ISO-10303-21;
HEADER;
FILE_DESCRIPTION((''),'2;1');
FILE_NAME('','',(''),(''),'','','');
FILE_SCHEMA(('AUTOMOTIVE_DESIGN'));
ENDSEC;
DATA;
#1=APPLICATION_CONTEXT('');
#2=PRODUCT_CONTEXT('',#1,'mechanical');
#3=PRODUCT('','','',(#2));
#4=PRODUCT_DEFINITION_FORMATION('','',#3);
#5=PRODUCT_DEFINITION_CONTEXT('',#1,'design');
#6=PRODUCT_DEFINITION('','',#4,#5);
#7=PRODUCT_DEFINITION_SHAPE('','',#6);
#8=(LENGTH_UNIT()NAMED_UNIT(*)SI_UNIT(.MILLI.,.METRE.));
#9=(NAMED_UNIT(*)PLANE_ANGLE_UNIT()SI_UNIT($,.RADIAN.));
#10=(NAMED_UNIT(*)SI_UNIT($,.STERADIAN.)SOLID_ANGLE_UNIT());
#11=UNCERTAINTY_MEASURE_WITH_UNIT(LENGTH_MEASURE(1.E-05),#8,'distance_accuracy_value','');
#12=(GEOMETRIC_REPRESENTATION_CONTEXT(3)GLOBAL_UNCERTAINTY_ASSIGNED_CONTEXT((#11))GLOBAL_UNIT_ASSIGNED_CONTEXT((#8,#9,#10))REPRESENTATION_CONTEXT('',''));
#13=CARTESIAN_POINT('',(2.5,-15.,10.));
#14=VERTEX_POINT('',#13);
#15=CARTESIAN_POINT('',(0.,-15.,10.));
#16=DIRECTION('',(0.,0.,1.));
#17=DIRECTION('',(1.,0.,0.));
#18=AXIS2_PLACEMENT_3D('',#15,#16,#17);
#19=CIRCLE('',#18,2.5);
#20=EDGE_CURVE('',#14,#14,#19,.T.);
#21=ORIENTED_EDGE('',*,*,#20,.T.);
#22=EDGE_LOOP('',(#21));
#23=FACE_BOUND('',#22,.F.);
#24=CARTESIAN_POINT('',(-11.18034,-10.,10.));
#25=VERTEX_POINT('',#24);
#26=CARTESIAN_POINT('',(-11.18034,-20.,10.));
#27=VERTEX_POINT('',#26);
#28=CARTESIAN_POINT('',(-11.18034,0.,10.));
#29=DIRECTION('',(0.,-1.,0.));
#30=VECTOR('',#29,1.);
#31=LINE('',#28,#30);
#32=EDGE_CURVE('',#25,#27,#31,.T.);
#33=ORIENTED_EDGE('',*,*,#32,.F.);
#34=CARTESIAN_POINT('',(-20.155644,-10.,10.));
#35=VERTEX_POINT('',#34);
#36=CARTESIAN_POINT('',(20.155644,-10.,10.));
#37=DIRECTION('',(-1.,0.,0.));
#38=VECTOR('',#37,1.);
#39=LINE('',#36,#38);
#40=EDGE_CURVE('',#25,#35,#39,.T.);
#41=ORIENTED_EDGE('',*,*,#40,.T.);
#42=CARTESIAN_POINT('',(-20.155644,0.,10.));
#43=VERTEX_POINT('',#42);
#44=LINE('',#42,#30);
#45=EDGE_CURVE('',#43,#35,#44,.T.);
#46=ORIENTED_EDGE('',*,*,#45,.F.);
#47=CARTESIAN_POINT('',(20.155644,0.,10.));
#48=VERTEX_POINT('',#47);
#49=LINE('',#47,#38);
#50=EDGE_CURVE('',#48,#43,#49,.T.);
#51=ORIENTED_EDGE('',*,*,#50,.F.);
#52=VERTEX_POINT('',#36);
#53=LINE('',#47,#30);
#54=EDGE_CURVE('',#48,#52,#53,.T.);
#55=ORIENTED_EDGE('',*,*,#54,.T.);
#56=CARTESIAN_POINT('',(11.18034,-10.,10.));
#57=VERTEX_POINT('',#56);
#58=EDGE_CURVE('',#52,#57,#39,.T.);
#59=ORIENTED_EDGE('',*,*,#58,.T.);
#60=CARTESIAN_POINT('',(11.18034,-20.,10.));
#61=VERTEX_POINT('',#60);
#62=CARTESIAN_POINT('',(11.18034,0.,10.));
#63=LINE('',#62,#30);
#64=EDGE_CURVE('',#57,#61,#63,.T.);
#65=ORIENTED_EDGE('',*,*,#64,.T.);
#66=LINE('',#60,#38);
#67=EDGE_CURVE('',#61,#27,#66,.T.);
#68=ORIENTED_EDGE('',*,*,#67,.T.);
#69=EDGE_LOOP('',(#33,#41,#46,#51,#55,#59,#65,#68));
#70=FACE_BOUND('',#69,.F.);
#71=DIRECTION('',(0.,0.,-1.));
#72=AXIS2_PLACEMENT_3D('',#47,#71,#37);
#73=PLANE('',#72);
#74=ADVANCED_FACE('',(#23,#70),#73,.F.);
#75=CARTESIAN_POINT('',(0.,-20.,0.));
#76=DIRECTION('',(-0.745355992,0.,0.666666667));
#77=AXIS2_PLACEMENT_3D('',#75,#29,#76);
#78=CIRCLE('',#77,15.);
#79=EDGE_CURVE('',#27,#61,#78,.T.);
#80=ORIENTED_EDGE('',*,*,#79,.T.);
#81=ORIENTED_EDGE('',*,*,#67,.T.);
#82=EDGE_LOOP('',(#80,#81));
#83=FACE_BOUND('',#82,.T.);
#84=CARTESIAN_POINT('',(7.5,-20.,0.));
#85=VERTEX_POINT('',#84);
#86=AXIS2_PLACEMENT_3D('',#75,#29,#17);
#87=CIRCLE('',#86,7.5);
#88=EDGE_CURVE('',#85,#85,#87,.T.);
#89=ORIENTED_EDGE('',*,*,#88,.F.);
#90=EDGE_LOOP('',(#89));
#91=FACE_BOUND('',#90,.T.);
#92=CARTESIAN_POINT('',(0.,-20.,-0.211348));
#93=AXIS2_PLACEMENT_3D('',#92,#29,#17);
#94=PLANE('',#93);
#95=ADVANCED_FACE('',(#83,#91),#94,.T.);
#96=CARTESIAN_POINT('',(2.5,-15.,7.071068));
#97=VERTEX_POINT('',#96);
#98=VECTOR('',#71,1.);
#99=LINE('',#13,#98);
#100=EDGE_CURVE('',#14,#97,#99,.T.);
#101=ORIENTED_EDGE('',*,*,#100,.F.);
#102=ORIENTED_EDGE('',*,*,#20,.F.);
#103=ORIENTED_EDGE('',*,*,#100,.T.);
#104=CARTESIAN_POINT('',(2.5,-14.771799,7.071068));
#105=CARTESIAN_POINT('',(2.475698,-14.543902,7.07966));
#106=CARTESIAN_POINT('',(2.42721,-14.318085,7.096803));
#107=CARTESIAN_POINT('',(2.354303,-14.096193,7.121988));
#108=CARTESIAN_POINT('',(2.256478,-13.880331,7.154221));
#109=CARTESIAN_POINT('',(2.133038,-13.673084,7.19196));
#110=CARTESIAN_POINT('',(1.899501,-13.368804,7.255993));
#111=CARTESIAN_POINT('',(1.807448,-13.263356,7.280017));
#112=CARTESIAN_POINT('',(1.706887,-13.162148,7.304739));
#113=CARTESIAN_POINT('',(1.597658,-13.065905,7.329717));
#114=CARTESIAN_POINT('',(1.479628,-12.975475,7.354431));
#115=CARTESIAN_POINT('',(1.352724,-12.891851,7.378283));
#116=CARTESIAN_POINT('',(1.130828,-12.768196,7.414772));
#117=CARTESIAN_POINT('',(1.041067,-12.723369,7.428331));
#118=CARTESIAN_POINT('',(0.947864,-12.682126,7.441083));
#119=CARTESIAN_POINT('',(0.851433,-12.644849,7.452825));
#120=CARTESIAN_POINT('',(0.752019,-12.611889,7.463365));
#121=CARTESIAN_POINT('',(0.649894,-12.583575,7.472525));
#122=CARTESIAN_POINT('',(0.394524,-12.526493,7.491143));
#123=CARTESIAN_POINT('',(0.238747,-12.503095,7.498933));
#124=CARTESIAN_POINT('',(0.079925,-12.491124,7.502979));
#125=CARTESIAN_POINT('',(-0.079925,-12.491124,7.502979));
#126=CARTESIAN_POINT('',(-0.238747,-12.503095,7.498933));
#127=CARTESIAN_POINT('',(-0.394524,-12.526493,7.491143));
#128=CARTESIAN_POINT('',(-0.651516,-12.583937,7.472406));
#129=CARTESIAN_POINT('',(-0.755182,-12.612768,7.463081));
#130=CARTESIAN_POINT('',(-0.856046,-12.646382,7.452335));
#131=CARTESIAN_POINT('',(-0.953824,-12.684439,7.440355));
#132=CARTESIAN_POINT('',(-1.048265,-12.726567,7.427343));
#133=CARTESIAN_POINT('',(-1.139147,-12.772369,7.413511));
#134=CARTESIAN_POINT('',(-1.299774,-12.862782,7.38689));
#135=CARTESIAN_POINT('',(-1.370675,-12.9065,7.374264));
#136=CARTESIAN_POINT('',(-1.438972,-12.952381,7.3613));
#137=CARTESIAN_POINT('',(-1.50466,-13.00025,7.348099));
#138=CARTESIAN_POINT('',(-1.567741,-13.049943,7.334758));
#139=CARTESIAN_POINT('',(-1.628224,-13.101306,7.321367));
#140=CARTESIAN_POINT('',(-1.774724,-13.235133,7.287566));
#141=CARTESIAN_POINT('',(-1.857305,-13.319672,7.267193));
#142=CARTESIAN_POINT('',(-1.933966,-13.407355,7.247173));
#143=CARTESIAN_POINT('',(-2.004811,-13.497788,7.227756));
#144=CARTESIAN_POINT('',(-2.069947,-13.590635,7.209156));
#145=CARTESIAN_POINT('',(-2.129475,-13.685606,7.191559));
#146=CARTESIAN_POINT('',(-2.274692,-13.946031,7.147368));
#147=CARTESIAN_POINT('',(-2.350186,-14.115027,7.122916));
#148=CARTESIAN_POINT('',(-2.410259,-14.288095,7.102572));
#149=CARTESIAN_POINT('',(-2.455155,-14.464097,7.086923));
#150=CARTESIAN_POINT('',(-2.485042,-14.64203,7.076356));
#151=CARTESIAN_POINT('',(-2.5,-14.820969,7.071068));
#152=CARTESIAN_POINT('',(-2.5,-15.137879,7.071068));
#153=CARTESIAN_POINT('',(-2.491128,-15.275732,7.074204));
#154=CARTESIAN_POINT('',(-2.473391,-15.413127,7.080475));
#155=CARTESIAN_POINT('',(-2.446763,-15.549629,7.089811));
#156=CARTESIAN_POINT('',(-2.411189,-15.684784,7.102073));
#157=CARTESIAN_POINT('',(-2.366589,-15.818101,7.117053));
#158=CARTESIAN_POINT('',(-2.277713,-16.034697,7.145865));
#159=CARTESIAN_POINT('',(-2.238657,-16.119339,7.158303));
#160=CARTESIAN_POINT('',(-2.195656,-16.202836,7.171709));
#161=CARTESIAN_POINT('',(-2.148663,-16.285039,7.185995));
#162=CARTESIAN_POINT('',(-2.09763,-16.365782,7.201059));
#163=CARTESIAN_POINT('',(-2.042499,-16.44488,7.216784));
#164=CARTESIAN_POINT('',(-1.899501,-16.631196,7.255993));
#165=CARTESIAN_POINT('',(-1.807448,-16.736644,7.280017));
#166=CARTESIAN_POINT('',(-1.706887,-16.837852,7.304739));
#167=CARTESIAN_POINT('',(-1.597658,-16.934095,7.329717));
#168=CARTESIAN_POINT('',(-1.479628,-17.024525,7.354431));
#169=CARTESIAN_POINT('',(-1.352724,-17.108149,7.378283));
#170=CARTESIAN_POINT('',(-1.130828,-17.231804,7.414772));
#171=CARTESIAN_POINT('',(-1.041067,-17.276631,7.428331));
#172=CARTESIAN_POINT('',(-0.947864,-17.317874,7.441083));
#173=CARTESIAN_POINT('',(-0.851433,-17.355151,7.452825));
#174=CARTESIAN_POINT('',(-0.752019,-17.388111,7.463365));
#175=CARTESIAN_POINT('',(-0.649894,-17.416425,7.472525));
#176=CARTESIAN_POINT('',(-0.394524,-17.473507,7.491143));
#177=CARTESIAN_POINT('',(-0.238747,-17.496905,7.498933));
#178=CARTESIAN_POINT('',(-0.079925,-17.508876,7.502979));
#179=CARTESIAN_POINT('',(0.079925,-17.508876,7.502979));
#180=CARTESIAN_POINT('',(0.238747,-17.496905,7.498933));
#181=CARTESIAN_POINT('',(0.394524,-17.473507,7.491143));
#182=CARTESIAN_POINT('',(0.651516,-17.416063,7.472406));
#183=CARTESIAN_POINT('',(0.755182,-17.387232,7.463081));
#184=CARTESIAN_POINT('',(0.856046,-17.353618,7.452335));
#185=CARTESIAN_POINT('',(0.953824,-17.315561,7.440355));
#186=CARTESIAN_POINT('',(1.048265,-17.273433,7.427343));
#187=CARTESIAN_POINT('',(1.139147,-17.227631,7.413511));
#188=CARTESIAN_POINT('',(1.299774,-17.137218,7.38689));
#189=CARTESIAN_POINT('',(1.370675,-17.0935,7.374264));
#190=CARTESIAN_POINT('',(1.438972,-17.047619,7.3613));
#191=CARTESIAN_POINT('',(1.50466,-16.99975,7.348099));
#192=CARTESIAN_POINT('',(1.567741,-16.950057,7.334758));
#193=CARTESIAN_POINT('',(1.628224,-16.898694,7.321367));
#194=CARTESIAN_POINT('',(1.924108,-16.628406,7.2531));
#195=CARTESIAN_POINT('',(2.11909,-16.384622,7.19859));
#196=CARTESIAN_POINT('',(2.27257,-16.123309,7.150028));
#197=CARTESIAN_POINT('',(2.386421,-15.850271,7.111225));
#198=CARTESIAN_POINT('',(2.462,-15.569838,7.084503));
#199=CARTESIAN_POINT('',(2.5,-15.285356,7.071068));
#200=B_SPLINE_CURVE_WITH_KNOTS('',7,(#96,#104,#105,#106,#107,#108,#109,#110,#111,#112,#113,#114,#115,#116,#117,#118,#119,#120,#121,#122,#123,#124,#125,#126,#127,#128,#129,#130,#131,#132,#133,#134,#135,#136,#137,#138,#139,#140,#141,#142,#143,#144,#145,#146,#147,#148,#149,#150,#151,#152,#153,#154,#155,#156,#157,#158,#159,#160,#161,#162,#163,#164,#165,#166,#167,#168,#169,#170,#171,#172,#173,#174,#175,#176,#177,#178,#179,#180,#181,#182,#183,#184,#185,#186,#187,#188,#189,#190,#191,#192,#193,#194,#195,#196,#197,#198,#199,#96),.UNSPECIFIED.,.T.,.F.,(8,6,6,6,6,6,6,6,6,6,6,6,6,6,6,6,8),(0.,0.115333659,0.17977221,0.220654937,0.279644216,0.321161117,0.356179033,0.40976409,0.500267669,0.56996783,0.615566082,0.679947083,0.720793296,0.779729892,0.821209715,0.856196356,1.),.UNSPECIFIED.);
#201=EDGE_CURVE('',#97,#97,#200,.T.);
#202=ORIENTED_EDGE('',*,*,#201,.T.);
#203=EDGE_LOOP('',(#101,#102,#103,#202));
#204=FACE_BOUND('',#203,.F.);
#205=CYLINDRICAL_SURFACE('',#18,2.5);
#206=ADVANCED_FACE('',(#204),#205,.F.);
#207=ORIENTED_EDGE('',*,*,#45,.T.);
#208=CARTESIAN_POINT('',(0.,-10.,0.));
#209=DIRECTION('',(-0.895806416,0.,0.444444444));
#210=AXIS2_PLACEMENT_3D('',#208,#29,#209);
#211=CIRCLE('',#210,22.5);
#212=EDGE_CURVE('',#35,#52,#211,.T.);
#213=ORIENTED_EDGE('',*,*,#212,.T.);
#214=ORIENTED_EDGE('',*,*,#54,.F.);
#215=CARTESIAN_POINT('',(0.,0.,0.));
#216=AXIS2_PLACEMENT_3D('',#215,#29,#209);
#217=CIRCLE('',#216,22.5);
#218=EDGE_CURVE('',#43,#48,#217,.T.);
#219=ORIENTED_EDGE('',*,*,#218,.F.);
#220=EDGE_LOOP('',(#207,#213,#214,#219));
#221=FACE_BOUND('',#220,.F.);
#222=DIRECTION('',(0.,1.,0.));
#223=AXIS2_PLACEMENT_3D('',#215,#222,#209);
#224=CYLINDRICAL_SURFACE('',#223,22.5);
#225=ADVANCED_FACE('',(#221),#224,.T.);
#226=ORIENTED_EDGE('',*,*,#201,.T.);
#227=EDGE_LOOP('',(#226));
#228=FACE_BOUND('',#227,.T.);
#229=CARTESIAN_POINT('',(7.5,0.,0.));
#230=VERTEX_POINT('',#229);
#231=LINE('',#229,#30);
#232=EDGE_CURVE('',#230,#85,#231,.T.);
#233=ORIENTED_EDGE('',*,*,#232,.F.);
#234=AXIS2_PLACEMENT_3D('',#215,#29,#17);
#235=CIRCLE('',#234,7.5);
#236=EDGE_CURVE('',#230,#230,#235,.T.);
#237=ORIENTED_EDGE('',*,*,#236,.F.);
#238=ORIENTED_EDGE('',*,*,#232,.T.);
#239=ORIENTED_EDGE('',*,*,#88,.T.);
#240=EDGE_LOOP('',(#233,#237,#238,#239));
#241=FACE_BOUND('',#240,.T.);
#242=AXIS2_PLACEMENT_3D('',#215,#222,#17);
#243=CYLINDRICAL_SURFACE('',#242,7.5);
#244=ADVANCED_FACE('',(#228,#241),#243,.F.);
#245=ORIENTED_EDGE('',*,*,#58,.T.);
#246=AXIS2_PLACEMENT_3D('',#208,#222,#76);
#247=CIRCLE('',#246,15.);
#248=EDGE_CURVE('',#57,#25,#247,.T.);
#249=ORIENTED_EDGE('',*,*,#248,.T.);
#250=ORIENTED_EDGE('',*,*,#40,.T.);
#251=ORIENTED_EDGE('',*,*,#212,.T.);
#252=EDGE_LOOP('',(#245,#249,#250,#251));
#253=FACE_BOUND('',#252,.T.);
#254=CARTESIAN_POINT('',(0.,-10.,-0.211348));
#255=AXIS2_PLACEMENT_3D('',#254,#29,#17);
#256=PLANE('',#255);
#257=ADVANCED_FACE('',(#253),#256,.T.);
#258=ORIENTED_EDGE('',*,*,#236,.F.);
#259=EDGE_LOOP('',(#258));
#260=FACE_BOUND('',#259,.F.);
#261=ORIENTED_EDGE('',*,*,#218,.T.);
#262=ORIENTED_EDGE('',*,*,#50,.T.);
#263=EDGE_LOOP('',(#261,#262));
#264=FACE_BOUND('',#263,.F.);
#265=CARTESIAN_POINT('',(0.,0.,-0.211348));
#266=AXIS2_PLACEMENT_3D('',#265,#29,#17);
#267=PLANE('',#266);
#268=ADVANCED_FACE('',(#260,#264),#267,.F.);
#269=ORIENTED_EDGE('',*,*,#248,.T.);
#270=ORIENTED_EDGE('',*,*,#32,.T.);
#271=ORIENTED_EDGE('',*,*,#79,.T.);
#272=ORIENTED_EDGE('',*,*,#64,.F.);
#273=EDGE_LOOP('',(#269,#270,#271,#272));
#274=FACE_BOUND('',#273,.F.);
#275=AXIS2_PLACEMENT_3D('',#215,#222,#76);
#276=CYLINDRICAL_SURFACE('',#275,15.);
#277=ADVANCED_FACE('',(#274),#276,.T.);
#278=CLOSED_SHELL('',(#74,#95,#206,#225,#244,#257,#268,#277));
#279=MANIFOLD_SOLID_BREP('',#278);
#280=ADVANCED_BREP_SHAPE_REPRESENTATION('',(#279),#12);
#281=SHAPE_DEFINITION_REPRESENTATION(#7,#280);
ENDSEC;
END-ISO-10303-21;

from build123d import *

# Parameters (mm, degrees)
F0_R     = 7.5
F1_DEPTH = 10
F2_DEPTH = 20
F3_R     = 2.5
F4_DEPTH = 3.9289322881


with BuildPart() as f1:
    # F0 (on Front) → F1 (new body)
    with BuildSketch(Plane.XZ):
        with BuildLine():
            Line((11.1803398875, 10), (-11.1803398875, 10))
            ThreePointArc((-11.1803398875, 10), (0, -15), (11.1803398875, 10))
        make_face()
        Circle(F0_R, mode=Mode.SUBTRACT)
        with BuildLine():
            ThreePointArc((11.1803398875, 10), (0, -15), (-11.1803398875, 10))
            Line((-11.1803398875, 10), (-20.1556443707, 10))
            ThreePointArc((-20.1556443707, 10), (0, -22.5), (20.1556443707, 10))
            Line((20.1556443707, 10), (11.1803398875, 10))
        make_face()
    extrude(amount=F1_DEPTH)

    # F0 (on Front) → F2 (join)
    with BuildSketch(Plane.XZ):
        with BuildLine():
            Line((11.1803398875, 10), (-11.1803398875, 10))
            ThreePointArc((-11.1803398875, 10), (0, -15), (11.1803398875, 10))
        make_face()
        Circle(F0_R, mode=Mode.SUBTRACT)
    extrude(amount=F2_DEPTH)

    # F3 (on face) → F4 (cut, up to face)
    with BuildSketch(Plane.XY.offset(10)):
        with Locations((0, -15)):
            Circle(F3_R)
    extrude(amount=-F4_DEPTH, mode=Mode.SUBTRACT)


solid = f1.part
